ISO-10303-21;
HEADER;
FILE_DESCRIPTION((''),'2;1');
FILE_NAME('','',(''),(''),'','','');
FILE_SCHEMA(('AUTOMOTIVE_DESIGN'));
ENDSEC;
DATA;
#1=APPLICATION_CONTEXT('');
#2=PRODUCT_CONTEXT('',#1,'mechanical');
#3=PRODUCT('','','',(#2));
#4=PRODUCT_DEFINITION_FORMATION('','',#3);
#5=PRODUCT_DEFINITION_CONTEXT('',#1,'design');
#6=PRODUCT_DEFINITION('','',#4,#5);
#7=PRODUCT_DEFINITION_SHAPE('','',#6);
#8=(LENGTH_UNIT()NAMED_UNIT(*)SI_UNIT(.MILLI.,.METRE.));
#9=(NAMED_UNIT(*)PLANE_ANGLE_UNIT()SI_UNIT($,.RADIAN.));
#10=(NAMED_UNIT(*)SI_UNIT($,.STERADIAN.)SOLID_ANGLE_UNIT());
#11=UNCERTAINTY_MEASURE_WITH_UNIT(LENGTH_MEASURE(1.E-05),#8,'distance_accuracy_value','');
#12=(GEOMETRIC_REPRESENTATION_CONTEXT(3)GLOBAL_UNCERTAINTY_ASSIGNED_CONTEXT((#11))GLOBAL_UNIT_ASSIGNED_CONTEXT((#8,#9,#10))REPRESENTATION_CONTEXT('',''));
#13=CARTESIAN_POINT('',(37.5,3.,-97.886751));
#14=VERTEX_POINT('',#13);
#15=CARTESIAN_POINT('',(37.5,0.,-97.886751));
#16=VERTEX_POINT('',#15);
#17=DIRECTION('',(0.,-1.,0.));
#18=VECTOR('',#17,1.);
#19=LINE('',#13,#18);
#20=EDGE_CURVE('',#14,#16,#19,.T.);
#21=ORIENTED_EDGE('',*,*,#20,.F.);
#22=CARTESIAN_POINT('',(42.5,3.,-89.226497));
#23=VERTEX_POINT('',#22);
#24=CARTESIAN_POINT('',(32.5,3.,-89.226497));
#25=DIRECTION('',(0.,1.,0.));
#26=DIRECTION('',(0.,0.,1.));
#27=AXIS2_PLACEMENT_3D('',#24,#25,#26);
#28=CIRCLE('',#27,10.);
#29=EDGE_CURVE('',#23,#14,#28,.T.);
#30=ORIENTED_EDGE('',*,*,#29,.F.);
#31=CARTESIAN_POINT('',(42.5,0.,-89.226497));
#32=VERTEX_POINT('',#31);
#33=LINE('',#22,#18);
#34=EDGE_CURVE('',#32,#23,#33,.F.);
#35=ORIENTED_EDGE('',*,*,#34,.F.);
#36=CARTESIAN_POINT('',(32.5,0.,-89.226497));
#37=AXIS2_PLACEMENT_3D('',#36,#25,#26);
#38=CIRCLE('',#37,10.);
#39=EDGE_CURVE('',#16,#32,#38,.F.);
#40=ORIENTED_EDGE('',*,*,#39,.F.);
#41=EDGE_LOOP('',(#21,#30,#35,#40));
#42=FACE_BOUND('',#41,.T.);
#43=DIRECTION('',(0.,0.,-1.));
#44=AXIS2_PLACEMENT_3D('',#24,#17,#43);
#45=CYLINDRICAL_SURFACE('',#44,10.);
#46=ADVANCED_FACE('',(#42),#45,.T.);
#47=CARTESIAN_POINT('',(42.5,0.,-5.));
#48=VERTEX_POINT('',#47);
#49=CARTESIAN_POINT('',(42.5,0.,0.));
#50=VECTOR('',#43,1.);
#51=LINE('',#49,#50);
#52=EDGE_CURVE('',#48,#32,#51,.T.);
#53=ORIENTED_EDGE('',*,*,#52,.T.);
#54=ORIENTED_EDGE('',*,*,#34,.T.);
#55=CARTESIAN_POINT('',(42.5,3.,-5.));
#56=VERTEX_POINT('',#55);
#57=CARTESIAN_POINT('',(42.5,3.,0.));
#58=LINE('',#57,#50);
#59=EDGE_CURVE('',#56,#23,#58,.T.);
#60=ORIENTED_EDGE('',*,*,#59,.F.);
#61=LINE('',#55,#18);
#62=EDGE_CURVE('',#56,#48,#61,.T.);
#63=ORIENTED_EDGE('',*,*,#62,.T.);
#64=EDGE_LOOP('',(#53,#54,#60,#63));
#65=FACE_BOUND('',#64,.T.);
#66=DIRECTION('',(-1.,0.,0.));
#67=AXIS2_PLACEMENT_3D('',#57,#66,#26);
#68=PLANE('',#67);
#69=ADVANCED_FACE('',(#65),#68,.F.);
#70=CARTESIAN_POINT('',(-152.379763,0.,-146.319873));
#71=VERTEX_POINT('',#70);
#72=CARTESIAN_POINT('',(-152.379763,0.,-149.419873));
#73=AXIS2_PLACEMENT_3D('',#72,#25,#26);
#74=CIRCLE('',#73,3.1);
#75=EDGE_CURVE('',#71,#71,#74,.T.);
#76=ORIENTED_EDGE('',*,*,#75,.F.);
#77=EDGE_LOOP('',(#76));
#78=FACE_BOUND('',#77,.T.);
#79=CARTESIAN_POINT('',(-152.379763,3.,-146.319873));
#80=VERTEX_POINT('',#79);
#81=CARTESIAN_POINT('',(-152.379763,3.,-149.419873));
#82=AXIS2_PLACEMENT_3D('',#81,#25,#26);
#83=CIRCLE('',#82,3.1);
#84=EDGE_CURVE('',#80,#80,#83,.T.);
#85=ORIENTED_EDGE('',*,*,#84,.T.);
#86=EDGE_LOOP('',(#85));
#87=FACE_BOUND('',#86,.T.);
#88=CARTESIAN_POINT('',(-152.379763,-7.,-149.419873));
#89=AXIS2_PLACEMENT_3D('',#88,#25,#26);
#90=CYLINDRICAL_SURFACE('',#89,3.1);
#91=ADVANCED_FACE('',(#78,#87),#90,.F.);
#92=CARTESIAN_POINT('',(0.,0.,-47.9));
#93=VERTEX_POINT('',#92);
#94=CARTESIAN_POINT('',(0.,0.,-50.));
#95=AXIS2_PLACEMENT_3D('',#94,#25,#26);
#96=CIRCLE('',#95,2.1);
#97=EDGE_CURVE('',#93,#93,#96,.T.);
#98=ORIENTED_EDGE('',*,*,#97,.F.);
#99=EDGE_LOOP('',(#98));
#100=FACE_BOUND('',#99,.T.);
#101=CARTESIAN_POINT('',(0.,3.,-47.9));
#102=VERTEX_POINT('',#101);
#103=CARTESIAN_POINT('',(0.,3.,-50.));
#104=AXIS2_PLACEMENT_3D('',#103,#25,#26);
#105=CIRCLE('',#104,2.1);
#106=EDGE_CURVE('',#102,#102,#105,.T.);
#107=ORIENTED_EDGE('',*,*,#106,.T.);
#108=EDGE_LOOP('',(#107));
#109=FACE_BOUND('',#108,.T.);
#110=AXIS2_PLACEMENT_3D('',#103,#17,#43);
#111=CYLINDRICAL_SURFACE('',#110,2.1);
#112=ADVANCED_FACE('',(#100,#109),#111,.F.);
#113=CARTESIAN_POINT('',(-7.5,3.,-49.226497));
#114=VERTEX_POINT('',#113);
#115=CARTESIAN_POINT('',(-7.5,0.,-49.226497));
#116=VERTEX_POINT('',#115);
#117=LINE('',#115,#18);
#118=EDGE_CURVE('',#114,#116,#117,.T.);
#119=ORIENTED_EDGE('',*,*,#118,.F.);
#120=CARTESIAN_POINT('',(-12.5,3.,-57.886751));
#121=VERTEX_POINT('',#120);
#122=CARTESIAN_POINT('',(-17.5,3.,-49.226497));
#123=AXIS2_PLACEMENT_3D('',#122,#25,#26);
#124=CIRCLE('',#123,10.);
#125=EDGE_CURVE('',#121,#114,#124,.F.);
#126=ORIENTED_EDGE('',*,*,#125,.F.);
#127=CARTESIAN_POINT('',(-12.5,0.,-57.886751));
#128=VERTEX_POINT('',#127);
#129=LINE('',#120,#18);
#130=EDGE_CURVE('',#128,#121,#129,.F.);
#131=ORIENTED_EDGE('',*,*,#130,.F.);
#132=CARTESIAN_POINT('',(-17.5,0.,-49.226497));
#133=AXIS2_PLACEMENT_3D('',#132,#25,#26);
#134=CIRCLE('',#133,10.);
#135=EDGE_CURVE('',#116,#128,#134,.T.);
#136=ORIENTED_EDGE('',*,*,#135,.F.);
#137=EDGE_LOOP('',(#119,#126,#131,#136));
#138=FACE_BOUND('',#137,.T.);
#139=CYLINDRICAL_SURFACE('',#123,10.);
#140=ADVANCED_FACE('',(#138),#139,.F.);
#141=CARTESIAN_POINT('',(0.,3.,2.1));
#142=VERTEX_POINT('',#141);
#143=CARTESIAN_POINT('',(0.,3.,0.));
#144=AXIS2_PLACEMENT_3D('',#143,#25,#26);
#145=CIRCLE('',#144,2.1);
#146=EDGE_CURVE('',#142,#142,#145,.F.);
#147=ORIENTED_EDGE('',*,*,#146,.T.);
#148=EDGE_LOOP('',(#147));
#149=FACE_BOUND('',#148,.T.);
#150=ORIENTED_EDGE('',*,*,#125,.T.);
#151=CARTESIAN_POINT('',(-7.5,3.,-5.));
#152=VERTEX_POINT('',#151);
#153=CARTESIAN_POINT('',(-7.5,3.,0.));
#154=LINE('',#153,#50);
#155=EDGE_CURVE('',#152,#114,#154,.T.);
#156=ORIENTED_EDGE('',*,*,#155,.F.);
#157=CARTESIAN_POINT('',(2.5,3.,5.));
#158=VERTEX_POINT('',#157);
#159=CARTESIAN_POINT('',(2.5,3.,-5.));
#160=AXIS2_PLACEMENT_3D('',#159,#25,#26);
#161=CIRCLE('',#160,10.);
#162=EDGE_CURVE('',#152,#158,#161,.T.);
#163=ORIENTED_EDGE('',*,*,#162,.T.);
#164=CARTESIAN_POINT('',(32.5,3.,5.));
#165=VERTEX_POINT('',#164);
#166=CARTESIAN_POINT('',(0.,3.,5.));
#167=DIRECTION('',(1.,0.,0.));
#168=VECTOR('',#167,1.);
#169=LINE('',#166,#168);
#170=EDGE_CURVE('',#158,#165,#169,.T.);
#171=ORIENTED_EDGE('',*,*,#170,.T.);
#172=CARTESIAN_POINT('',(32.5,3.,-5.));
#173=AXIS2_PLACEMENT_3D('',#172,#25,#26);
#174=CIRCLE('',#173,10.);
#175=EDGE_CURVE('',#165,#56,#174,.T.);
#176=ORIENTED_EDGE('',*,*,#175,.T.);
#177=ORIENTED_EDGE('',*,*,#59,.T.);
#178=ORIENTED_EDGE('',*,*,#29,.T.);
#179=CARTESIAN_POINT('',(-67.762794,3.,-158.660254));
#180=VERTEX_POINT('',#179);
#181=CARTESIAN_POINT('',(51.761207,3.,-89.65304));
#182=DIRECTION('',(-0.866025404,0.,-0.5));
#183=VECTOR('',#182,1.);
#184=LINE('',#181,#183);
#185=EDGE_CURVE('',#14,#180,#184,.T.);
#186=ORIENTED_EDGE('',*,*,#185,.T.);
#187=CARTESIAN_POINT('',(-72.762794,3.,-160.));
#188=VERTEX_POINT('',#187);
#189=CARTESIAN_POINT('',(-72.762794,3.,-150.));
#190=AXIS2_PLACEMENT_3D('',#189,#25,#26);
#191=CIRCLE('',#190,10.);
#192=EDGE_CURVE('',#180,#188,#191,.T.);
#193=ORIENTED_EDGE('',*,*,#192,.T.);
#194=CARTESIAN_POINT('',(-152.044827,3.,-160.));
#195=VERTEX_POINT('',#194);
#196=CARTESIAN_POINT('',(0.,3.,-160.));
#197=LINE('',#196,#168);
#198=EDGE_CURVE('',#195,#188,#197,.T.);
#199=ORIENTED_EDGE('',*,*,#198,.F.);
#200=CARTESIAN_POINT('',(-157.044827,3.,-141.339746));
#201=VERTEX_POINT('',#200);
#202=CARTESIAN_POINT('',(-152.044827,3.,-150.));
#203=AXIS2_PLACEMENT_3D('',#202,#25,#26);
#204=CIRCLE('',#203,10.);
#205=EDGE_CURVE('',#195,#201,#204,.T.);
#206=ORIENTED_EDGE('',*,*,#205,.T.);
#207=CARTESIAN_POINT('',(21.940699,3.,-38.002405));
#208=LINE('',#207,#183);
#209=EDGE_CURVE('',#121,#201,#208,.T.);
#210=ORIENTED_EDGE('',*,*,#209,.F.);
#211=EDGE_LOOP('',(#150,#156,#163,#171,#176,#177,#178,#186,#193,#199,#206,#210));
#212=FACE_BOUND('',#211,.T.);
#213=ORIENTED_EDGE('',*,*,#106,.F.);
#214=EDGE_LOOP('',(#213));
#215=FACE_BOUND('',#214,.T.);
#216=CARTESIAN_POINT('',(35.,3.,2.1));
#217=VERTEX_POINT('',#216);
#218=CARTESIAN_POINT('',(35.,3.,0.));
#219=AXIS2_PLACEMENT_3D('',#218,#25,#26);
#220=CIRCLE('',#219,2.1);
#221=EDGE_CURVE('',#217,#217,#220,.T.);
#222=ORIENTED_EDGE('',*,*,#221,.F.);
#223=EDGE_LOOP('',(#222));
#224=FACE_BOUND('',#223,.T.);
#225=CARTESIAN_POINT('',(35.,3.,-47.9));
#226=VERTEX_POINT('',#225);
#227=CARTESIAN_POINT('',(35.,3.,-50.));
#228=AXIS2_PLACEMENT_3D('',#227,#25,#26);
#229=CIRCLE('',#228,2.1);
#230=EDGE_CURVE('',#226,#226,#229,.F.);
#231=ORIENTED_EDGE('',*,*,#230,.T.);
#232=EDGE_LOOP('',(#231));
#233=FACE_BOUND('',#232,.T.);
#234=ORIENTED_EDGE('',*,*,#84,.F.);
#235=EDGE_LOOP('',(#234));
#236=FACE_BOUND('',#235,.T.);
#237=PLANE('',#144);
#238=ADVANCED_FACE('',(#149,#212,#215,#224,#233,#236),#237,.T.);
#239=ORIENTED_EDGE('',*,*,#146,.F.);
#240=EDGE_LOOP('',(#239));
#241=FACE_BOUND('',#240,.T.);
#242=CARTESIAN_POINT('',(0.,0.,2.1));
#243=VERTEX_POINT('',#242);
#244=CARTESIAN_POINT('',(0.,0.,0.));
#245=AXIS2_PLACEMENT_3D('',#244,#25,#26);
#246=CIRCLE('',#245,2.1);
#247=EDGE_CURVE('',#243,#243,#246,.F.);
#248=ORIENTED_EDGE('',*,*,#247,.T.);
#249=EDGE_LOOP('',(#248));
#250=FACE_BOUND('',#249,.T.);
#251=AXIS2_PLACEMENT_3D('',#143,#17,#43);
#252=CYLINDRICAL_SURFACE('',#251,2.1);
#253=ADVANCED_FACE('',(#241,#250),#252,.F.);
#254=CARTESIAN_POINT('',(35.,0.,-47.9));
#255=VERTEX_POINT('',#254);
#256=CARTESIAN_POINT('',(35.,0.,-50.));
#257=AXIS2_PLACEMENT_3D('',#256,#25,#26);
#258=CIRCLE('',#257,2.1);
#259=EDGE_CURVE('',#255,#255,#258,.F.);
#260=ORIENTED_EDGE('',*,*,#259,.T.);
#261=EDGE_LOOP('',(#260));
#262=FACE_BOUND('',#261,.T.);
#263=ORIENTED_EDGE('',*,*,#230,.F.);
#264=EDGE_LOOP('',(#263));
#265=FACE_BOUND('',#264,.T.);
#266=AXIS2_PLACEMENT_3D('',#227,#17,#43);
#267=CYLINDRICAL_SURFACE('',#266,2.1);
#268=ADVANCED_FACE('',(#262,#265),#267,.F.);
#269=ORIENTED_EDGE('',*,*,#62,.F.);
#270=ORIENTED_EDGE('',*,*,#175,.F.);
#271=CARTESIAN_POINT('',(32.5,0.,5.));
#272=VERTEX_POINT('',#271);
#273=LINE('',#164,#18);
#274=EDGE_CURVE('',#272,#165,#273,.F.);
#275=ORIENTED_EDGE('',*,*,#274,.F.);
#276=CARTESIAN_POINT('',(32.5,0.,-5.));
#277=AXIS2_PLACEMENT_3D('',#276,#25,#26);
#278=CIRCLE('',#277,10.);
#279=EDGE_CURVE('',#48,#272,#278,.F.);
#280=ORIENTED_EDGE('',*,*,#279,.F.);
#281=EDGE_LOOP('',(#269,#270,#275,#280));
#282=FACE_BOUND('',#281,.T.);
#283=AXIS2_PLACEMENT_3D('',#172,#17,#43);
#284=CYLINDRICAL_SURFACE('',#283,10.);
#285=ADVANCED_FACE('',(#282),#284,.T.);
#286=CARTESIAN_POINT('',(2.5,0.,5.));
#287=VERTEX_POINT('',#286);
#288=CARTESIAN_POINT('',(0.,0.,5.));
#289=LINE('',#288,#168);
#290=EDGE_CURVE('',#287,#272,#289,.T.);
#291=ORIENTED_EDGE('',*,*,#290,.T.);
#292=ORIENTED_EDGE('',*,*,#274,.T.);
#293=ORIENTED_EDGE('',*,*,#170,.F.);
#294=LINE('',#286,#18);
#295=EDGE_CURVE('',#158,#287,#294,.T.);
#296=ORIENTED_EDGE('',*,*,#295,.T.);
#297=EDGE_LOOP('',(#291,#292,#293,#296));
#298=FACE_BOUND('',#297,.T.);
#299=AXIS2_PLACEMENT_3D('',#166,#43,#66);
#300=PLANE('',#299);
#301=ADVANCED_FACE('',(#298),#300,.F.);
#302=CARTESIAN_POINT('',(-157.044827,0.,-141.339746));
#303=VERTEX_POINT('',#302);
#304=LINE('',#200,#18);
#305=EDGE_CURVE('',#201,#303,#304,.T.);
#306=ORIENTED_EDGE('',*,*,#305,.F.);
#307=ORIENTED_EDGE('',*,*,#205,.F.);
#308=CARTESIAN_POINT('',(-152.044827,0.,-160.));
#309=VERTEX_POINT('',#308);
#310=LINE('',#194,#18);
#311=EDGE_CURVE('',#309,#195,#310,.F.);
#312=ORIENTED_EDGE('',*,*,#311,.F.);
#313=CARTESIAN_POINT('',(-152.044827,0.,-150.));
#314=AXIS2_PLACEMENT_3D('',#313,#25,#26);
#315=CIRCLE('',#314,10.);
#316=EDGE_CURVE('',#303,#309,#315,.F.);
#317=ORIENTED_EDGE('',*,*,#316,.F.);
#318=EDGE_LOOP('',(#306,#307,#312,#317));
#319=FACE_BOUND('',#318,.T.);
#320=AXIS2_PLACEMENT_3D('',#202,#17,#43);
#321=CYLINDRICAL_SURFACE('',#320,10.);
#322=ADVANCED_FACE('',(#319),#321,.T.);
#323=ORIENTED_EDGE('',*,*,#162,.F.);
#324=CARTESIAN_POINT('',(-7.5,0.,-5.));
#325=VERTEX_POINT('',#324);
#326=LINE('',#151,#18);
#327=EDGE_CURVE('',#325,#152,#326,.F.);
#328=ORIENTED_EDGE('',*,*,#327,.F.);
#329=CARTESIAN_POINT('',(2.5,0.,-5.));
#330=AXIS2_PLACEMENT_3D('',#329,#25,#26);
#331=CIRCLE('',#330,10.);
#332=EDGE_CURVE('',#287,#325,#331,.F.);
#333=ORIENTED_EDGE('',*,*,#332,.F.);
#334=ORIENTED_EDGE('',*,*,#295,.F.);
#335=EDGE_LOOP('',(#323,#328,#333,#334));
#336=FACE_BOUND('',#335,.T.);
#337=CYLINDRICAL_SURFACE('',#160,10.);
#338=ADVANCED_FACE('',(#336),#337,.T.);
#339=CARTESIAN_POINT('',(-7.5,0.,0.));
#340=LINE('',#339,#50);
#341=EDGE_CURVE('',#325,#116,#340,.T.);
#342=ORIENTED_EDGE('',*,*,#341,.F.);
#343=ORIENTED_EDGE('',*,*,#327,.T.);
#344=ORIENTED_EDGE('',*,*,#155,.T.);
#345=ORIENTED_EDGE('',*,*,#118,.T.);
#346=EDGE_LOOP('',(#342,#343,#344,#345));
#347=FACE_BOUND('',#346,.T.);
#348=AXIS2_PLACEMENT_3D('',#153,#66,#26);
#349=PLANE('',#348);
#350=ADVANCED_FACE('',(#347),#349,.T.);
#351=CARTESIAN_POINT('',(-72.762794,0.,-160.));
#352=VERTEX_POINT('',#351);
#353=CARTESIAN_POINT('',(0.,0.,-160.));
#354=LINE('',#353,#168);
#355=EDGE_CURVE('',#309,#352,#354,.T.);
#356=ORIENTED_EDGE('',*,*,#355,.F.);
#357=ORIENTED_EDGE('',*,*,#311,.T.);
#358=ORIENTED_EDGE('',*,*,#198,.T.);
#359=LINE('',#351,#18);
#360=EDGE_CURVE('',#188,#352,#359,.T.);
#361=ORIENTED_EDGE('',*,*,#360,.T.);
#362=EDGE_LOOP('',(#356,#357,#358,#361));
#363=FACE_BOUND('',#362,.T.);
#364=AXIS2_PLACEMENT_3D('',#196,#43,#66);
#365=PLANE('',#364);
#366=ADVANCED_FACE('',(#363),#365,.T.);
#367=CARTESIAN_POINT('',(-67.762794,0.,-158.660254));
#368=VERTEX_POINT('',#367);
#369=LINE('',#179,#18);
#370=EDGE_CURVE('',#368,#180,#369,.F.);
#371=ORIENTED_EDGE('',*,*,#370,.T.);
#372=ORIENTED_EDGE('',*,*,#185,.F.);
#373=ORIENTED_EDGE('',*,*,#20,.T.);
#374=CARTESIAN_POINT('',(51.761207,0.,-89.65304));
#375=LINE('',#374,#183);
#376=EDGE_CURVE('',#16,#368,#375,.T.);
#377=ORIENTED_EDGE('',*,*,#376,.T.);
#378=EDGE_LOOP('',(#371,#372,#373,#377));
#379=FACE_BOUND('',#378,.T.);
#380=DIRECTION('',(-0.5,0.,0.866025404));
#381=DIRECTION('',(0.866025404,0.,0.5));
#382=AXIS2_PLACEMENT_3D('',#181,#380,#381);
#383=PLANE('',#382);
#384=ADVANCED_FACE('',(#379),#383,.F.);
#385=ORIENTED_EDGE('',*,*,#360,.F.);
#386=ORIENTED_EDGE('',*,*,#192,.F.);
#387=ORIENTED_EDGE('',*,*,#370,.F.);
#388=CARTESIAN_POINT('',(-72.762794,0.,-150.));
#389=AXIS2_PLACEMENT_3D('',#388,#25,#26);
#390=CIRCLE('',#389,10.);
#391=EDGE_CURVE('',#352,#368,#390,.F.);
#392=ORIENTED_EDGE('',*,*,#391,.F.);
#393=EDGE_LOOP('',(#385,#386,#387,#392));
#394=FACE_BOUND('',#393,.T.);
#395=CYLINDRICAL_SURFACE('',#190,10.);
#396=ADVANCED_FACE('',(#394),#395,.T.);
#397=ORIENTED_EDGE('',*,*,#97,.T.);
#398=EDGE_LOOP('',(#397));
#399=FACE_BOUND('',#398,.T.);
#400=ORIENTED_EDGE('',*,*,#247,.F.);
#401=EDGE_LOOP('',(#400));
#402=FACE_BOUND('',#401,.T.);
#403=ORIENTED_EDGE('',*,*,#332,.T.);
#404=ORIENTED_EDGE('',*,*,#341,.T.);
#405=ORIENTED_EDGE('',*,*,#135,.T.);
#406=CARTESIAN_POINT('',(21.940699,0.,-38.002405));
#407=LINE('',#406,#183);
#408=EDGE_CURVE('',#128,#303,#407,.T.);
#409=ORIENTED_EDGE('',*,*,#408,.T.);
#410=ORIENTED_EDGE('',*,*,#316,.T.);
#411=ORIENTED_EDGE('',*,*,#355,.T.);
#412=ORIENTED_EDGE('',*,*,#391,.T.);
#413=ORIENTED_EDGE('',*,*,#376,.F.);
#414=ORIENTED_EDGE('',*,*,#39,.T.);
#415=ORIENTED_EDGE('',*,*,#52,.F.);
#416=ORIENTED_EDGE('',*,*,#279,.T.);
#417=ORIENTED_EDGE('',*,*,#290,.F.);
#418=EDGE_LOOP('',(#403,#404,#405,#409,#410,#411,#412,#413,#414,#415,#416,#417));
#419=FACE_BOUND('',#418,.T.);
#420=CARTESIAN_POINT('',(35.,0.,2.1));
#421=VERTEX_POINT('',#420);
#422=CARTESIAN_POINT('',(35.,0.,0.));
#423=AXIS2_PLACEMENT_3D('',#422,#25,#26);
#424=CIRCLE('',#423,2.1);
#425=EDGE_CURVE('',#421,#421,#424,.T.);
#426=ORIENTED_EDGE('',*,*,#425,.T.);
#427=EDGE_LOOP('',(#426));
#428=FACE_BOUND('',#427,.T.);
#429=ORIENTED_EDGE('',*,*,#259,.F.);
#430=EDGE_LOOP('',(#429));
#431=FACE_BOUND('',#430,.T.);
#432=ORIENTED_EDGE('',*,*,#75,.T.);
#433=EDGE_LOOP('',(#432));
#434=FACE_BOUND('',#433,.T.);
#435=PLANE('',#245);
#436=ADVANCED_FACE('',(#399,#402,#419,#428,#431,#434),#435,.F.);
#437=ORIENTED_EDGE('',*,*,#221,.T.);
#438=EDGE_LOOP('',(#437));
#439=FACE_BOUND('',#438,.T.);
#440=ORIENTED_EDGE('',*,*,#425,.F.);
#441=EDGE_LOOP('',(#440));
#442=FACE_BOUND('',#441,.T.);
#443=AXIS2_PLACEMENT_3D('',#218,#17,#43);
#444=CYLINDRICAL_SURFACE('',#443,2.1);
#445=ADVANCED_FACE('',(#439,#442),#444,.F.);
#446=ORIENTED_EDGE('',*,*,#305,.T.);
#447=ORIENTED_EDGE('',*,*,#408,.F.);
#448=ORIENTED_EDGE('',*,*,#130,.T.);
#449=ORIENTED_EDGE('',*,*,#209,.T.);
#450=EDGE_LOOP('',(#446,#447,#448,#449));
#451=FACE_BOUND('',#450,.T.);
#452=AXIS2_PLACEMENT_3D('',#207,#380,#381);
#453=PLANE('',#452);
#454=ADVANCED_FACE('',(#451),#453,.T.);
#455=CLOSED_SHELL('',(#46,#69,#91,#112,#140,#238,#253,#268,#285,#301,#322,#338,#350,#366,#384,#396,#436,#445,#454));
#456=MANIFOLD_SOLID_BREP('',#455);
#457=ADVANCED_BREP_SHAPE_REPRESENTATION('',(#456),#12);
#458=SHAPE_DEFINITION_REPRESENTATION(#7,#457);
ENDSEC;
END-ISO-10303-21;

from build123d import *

# Parameters (mm, degrees)
SKETCH_1_R          = 2.1
EXTRUDE_1_DEPTH     = 3
FILLET_1_R          = 10
SKETCH_2_R          = 3.1
CUT_EXTRUDE_1_DEPTH = 10
FILLET_2_R          = 10


with BuildPart() as part:
    # 草图1 → 凸台-拉伸1 (new body)
    with BuildSketch(Plane(origin=(0, 0, 0), x_dir=(1, 0, 0), z_dir=(0, 1, 0))):
        Polygon((-7.5, 55), (-7.5, -5), (42.5, -5), (42.5, 55), (42.5, 95), (12.189110868, 112.5), (-18.121778265, 130), (-70.083302492, 160), (-154.724318643, 160), (-189.365334795, 160), align=None)
        with Locations(Location((0, 0, 0), (0, 0, 270))):
            Circle(SKETCH_1_R, mode=Mode.SUBTRACT)
        with Locations(Location((35, 0, 0), (0, 0, 270))):
            Circle(SKETCH_1_R, mode=Mode.SUBTRACT)
        with Locations(Location((0, 50, 0), (0, 0, 270))):
            Circle(SKETCH_1_R, mode=Mode.SUBTRACT)
        with Locations(Location((35, 50, 0), (0, 0, 270))):
            Circle(SKETCH_1_R, mode=Mode.SUBTRACT)
    extrude(amount=EXTRUDE_1_DEPTH)

    # 圆角1
    fillet_1_edges = [part.edges().sort_by_distance(p)[0] for p in [
        (-70.083302492, 1.5, -160),
        (42.5, 1.5, -95),
        (-7.5, 1.5, -55),
        (-189.365334795, 1.5, -160),
    ]]
    fillet(fillet_1_edges, radius=FILLET_1_R)

    # 草图2 → 切除-拉伸1 (cut)
    with BuildSketch(Plane(origin=(0, 3, 0), x_dir=(1, 0, 0), z_dir=(0, 1, 0))):
        with Locations(Location((-152.37976321, 149.419872981, 0), (0, 0, 270))):
            Circle(SKETCH_2_R)
    extrude(amount=-CUT_EXTRUDE_1_DEPTH, mode=Mode.SUBTRACT)

    # 圆角2
    fillet_2_edges = [part.edges().sort_by_distance(p)[0] for p in [
        (42.5, 1.5, 5),
        (-7.5, 1.5, 5),
    ]]
    fillet(fillet_2_edges, radius=FILLET_2_R)


solid = part.part
